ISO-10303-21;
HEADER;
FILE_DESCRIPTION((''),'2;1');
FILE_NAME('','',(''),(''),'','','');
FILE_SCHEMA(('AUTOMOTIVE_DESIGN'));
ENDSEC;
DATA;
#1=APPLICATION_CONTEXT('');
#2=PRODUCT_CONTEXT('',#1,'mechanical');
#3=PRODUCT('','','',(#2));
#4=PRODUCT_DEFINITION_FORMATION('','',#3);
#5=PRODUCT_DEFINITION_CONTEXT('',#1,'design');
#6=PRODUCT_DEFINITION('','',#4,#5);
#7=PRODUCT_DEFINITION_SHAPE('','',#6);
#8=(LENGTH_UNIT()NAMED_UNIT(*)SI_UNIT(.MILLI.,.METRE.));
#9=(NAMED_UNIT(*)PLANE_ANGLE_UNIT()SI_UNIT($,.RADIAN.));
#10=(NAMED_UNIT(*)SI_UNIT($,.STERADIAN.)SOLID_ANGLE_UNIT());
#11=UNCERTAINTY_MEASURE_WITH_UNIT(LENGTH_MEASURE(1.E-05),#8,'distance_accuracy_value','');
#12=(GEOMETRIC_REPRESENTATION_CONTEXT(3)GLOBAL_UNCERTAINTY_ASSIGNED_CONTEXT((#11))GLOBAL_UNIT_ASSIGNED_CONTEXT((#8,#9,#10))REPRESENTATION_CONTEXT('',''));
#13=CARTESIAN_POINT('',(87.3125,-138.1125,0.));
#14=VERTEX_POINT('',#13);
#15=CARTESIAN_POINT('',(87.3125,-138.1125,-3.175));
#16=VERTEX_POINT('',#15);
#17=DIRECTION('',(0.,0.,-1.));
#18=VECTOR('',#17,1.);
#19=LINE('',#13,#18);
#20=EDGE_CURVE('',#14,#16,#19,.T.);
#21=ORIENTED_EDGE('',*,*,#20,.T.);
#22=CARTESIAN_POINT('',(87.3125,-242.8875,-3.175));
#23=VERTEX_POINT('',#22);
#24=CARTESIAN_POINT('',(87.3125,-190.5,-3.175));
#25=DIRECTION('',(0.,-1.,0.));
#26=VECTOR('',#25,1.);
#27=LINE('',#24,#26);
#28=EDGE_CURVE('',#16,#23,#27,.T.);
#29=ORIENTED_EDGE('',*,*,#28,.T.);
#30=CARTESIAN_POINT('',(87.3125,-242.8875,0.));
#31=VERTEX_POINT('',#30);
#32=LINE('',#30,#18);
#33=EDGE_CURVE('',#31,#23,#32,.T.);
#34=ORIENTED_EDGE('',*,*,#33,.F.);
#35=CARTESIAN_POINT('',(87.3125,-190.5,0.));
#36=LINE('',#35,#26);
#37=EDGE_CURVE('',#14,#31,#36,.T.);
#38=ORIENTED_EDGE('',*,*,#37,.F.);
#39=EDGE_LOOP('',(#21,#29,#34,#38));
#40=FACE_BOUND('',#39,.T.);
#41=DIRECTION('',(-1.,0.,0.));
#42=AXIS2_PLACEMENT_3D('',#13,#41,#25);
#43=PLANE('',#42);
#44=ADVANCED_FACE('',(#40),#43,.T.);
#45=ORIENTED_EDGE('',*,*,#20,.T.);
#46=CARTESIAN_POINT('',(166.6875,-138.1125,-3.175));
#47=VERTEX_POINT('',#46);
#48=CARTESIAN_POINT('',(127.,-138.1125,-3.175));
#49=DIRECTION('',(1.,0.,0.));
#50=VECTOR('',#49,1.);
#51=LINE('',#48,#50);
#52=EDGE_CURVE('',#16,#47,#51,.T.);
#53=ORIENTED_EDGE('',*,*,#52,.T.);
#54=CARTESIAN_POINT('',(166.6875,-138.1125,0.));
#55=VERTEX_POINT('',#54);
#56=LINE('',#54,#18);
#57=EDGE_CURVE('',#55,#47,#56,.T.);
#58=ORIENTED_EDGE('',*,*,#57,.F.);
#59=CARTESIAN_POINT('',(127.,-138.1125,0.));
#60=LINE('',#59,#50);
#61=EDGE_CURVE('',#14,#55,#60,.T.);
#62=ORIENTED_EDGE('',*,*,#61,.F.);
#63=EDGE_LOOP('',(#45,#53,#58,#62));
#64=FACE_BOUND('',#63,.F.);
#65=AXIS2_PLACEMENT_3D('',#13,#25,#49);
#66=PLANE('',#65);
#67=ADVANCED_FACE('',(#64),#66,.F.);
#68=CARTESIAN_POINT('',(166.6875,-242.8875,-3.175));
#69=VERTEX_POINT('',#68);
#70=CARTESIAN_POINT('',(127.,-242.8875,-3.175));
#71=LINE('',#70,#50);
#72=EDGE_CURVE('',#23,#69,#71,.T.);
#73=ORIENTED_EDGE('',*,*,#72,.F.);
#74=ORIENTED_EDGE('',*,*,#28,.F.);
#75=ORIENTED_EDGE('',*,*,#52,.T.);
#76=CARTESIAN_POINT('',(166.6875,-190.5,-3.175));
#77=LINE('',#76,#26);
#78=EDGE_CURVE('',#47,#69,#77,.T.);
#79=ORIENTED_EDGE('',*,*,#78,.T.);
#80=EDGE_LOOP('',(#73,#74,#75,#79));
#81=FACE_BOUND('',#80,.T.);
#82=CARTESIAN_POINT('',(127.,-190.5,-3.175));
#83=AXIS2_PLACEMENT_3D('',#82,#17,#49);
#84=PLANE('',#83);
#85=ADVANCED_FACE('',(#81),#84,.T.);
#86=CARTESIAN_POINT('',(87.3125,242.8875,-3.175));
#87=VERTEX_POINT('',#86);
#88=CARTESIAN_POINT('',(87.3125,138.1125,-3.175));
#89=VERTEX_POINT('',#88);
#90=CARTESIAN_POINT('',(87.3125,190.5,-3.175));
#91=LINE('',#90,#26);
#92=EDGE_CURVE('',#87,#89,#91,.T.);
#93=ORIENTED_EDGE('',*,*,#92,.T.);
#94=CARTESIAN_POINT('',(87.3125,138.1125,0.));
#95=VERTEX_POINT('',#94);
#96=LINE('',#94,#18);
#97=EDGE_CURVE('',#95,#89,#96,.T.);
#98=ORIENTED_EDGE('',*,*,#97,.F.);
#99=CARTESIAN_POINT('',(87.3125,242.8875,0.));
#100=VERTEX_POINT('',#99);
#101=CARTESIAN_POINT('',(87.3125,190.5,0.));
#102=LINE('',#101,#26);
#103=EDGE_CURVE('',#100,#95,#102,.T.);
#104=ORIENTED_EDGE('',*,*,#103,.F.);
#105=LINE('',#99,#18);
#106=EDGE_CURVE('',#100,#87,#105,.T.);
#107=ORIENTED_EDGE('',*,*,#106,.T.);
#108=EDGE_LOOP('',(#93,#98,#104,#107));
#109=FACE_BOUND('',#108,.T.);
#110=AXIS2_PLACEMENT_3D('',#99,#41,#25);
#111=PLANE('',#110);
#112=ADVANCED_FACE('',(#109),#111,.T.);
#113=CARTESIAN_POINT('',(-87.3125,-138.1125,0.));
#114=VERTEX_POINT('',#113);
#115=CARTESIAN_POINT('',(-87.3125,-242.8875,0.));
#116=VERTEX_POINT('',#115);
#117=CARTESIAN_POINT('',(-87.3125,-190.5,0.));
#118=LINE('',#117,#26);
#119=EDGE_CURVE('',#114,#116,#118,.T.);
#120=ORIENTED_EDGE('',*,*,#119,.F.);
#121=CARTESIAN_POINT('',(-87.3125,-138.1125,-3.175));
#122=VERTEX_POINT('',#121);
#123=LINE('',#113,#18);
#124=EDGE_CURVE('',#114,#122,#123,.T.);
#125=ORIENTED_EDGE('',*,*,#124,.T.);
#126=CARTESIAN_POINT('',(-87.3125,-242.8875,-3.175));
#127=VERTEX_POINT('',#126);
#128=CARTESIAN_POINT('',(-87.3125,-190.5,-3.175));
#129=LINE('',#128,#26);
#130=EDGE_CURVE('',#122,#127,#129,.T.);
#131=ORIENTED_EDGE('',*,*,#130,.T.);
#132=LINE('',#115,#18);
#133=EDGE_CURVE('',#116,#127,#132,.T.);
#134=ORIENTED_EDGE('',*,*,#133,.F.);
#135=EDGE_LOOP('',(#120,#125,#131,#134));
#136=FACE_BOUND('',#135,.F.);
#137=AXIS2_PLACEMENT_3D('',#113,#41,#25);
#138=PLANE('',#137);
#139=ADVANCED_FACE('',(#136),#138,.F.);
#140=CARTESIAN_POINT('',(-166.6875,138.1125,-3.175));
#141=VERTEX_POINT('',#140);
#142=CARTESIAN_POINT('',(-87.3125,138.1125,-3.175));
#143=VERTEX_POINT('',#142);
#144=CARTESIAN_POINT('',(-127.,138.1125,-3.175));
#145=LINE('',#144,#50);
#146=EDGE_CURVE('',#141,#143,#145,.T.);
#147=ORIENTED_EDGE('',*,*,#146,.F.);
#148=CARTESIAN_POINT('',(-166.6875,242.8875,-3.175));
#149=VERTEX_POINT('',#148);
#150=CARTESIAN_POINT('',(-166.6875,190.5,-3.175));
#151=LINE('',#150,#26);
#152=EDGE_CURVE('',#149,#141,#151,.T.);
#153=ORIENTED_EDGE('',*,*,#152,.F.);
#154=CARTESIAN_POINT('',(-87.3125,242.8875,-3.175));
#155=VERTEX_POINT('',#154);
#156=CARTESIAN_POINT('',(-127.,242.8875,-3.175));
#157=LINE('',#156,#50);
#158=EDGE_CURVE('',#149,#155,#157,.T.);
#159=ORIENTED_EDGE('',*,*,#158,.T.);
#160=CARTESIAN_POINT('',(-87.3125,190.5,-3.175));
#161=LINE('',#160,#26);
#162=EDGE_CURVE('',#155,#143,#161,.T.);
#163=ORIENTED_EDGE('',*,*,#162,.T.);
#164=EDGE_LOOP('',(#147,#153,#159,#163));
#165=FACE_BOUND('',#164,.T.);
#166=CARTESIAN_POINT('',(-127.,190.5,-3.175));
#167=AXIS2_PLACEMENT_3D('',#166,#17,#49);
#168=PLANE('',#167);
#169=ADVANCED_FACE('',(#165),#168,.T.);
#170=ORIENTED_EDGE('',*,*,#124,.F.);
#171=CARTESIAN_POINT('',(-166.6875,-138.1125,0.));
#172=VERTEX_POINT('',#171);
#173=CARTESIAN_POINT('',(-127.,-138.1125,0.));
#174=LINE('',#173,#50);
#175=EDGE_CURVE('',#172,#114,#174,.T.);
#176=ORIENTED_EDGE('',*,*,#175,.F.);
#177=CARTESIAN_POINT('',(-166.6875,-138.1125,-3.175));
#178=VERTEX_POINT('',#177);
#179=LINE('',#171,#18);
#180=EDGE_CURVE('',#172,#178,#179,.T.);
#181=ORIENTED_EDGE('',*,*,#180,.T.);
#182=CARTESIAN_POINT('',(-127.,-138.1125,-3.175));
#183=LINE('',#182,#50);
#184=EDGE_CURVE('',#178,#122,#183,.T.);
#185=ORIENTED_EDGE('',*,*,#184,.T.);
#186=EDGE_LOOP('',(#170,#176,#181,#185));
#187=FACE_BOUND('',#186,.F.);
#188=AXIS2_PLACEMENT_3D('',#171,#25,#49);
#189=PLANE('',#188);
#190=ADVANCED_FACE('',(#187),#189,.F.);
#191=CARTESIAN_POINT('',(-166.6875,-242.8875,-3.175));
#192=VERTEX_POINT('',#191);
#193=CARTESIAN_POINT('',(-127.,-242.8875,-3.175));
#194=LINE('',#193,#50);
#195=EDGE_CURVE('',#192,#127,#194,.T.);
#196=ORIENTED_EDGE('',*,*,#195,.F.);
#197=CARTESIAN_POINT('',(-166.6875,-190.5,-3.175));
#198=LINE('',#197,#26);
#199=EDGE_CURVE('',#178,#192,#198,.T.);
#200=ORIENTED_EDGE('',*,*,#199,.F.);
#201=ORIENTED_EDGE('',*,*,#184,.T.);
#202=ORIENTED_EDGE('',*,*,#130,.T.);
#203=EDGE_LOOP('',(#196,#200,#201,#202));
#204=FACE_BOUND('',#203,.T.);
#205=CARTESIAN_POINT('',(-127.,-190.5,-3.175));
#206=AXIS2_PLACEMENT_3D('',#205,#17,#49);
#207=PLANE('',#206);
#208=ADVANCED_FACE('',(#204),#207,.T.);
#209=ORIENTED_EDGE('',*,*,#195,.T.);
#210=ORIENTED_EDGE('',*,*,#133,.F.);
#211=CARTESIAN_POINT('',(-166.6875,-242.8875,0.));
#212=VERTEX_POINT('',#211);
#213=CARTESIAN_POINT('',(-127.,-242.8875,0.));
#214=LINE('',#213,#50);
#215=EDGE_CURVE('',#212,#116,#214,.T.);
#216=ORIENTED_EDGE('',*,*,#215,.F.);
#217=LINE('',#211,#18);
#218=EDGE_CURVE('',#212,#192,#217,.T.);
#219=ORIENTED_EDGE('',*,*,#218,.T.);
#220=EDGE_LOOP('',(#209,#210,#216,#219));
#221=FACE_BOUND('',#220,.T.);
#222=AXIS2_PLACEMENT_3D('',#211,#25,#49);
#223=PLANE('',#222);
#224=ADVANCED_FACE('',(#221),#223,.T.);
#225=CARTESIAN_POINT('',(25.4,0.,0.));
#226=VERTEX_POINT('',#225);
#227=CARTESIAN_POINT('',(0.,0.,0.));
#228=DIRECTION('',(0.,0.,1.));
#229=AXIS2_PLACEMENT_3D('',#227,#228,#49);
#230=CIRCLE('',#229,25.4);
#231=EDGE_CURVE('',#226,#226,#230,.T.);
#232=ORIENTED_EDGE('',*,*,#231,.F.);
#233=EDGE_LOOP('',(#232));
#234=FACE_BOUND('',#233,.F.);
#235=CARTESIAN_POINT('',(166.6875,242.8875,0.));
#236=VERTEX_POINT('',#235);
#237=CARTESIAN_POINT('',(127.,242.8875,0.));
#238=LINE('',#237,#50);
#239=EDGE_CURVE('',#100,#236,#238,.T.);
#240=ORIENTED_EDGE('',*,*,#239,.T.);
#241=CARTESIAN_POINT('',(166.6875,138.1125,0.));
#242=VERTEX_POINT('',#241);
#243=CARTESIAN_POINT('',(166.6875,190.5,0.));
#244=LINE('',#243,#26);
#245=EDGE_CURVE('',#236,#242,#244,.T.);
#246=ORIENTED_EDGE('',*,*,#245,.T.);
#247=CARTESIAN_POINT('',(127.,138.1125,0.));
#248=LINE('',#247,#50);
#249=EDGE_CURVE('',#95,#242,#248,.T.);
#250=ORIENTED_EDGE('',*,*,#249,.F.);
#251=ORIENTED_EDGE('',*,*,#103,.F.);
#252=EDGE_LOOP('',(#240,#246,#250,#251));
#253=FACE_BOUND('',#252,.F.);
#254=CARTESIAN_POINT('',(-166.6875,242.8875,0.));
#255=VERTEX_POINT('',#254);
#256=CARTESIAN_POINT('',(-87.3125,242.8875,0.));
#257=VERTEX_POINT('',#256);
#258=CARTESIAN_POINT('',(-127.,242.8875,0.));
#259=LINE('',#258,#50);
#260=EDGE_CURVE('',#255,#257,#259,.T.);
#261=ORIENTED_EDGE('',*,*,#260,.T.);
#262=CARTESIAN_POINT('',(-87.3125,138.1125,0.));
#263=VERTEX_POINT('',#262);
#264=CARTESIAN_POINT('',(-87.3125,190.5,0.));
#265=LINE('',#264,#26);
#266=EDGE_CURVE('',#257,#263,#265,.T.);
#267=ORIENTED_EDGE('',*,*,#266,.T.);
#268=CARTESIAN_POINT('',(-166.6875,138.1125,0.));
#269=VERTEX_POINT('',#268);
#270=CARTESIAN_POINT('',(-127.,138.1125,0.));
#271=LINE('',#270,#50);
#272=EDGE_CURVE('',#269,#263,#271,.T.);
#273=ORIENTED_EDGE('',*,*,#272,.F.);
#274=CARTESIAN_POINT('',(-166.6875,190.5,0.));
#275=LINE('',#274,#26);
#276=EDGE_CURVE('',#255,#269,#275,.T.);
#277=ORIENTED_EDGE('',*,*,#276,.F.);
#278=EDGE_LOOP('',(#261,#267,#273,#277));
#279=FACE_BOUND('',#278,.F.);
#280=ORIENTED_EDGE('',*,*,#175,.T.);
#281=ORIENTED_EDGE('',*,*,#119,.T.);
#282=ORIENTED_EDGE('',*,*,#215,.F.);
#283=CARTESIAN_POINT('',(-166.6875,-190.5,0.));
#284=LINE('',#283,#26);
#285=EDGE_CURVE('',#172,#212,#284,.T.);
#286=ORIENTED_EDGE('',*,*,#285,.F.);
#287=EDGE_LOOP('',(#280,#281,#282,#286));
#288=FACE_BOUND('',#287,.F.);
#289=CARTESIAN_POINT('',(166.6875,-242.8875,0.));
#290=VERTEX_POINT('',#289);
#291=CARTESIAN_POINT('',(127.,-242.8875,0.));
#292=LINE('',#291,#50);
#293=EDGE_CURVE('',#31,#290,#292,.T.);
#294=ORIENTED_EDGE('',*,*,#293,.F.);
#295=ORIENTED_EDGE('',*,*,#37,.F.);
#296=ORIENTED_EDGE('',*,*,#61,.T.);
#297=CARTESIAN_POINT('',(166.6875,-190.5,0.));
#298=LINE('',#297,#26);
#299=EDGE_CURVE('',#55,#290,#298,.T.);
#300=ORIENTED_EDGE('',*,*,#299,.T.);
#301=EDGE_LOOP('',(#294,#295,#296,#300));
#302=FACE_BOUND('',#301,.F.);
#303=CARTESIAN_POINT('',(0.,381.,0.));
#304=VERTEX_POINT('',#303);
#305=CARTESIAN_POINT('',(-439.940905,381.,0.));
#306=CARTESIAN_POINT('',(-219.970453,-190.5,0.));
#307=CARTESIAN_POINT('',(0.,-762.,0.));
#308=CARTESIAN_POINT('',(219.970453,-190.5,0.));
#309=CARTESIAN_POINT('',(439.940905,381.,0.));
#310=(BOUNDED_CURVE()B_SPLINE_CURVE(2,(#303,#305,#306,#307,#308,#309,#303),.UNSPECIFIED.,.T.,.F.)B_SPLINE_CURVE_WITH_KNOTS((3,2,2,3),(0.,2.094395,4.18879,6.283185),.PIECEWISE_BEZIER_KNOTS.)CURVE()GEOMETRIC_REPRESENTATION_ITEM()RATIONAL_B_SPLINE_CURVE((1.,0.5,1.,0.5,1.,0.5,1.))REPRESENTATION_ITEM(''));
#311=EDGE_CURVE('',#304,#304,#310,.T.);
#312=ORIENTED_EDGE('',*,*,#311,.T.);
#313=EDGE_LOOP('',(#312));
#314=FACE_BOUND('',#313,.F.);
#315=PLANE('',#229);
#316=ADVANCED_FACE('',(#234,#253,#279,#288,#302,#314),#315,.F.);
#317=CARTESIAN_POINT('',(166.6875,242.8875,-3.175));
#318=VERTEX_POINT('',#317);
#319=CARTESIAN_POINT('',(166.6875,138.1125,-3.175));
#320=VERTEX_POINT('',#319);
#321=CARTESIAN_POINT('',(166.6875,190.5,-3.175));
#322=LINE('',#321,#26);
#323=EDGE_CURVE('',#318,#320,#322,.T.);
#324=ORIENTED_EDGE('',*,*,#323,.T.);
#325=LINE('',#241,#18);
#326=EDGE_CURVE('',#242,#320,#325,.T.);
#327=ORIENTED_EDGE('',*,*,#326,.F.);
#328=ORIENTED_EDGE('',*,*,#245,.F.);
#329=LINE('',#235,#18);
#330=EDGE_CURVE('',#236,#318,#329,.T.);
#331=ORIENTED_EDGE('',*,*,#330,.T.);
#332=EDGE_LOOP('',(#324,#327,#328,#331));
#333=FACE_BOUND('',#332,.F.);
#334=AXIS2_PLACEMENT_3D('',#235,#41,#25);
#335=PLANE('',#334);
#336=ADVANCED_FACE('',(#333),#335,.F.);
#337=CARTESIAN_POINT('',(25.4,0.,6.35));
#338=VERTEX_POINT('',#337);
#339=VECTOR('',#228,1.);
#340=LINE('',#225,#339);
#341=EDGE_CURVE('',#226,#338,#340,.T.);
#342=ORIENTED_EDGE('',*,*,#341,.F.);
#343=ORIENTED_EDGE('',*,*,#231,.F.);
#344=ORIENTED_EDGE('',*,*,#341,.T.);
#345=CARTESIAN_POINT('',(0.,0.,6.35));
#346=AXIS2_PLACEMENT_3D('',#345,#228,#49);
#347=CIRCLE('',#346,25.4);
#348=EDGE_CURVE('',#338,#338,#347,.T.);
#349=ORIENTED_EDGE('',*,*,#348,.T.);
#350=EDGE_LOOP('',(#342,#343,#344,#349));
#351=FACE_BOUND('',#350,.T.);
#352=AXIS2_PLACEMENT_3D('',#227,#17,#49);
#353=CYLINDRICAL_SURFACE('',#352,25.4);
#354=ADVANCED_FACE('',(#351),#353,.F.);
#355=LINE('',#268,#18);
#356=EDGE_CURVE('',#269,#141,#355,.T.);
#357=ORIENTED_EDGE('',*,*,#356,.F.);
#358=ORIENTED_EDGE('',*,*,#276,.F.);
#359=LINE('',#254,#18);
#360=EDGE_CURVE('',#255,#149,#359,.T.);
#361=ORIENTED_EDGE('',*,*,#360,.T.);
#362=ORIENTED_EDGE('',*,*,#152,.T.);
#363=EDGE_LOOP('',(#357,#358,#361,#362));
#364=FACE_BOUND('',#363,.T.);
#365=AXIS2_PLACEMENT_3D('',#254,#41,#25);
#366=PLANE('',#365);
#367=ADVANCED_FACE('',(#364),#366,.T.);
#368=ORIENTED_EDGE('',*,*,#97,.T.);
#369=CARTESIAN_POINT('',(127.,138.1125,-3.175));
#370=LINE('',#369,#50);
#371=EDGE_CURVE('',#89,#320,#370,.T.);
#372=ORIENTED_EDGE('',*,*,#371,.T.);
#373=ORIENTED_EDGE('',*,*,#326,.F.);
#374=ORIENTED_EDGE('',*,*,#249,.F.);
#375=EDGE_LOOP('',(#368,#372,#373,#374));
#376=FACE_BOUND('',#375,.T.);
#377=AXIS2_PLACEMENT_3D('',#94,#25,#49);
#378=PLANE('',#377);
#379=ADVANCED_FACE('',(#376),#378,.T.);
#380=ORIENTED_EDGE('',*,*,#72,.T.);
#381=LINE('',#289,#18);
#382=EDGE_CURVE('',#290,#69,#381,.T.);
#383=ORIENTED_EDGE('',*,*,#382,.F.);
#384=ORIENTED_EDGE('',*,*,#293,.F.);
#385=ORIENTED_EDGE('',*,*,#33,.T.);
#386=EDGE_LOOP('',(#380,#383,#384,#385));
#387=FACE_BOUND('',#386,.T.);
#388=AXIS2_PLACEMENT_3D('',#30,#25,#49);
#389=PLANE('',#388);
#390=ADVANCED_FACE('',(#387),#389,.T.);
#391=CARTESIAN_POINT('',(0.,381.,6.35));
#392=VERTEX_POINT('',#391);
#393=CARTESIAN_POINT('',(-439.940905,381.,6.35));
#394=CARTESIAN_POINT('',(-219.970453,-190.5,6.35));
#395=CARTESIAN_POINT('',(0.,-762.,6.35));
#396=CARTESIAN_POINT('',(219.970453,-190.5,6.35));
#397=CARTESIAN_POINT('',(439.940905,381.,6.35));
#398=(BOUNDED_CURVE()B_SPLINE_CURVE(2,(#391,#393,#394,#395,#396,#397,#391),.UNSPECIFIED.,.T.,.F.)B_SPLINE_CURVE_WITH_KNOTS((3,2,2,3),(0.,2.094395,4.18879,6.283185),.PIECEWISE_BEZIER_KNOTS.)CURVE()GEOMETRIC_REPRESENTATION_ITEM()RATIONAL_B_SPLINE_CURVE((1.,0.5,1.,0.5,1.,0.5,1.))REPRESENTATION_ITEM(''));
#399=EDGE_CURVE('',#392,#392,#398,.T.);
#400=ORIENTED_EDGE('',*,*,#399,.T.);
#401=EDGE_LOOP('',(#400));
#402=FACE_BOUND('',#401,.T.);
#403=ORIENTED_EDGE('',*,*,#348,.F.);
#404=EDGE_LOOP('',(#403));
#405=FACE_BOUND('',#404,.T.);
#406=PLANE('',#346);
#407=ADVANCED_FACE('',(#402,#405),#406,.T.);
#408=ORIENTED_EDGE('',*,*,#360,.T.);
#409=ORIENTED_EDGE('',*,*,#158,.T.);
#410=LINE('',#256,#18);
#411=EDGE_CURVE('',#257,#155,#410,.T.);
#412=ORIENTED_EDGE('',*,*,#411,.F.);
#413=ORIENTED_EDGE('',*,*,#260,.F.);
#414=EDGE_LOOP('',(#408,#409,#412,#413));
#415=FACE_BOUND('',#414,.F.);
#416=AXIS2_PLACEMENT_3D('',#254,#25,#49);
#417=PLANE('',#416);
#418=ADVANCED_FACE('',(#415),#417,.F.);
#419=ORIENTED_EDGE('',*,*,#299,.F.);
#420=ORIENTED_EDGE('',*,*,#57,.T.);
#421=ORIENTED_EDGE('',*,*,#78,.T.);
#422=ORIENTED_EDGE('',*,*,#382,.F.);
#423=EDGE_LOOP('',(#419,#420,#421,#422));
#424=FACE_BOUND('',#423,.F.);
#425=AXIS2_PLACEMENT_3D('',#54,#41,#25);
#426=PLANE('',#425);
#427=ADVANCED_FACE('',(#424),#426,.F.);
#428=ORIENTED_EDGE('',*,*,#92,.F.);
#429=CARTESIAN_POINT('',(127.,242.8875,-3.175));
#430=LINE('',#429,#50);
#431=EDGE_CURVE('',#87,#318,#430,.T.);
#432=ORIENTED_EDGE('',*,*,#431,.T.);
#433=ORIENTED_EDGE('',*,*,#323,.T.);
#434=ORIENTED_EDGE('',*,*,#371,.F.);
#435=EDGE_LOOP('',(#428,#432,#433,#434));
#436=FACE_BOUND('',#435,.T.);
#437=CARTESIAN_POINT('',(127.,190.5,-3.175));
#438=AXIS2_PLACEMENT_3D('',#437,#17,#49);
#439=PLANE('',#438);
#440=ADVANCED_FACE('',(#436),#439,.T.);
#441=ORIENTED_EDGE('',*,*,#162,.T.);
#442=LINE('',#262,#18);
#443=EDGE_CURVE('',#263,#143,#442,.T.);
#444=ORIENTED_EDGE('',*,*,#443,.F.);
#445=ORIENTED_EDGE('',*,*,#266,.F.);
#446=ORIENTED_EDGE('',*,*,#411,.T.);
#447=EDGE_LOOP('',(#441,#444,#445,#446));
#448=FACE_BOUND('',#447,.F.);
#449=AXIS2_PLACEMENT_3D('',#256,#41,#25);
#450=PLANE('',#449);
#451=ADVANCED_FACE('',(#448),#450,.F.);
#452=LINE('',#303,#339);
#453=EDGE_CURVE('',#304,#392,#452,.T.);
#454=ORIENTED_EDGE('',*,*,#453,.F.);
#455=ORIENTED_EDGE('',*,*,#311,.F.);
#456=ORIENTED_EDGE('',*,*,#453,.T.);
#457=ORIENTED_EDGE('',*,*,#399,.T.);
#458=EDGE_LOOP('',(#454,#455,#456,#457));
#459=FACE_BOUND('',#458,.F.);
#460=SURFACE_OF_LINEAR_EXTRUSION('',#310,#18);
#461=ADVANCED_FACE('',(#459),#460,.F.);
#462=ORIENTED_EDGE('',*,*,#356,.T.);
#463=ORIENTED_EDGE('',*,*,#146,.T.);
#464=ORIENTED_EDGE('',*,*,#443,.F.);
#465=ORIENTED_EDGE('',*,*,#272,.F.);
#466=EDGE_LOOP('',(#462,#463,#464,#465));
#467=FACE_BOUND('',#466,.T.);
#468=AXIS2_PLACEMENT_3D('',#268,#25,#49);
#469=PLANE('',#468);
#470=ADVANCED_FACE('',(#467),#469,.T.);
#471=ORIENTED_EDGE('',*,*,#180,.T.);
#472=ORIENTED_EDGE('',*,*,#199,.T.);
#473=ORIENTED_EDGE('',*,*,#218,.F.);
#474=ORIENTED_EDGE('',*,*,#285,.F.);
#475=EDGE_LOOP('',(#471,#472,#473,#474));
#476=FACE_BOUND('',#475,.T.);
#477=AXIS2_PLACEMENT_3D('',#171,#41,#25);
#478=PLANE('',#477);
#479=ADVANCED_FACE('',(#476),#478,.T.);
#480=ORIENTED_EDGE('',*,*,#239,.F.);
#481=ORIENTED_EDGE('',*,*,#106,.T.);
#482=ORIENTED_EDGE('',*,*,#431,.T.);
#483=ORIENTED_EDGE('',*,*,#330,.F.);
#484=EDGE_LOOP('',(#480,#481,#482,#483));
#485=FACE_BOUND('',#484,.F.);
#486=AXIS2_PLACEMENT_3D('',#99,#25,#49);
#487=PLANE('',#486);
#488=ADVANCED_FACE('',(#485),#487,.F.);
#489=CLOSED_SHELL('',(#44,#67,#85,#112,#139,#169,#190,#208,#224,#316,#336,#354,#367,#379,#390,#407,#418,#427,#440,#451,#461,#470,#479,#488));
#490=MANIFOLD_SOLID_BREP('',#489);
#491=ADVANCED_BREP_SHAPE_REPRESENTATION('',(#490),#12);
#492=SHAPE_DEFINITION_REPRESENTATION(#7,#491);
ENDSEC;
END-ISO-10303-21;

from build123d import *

# Parameters (mm, degrees)
F0_R     = 25.4
F1_DEPTH = 6.35
F2_W     = 79.375
F2_H     = 104.775
F3_DEPTH = 3.175


with BuildPart() as f1:
    # F0 (on Top) → F1 (new body)
    with BuildSketch(Plane.XY):
        with BuildLine():
            add(Edge.make_bspline(
                [(0, 381), (-439.940905, 381), (-219.970453, -190.5), (0, -762), (219.970453, -190.5), (439.940905, 381), (0, 381)],
                knots=[0, 0, 0, 2.094395, 2.094395, 4.18879, 4.18879, 6.283185, 6.283185, 6.283185], degree=2, weights=[1, 0.5, 1, 0.5, 1, 0.5, 1]))
        make_face()
        Circle(F0_R, mode=Mode.SUBTRACT)
    extrude(amount=F1_DEPTH)

    # F2 (on face) → F3 (join)
    with BuildSketch(Plane(origin=(0, 0, 0), x_dir=(1, 0, 0), z_dir=(0, 0, -1))):
        with Locations((-127, 190.5)):
            Rectangle(F2_W, F2_H)
        with Locations((127, 190.5)):
            Rectangle(F2_W, F2_H)
        with Locations((127, -190.5)):
            Rectangle(F2_W, F2_H)
        with Locations((-127, -190.5)):
            Rectangle(F2_W, F2_H)
    extrude(amount=F3_DEPTH)


solid = f1.part
